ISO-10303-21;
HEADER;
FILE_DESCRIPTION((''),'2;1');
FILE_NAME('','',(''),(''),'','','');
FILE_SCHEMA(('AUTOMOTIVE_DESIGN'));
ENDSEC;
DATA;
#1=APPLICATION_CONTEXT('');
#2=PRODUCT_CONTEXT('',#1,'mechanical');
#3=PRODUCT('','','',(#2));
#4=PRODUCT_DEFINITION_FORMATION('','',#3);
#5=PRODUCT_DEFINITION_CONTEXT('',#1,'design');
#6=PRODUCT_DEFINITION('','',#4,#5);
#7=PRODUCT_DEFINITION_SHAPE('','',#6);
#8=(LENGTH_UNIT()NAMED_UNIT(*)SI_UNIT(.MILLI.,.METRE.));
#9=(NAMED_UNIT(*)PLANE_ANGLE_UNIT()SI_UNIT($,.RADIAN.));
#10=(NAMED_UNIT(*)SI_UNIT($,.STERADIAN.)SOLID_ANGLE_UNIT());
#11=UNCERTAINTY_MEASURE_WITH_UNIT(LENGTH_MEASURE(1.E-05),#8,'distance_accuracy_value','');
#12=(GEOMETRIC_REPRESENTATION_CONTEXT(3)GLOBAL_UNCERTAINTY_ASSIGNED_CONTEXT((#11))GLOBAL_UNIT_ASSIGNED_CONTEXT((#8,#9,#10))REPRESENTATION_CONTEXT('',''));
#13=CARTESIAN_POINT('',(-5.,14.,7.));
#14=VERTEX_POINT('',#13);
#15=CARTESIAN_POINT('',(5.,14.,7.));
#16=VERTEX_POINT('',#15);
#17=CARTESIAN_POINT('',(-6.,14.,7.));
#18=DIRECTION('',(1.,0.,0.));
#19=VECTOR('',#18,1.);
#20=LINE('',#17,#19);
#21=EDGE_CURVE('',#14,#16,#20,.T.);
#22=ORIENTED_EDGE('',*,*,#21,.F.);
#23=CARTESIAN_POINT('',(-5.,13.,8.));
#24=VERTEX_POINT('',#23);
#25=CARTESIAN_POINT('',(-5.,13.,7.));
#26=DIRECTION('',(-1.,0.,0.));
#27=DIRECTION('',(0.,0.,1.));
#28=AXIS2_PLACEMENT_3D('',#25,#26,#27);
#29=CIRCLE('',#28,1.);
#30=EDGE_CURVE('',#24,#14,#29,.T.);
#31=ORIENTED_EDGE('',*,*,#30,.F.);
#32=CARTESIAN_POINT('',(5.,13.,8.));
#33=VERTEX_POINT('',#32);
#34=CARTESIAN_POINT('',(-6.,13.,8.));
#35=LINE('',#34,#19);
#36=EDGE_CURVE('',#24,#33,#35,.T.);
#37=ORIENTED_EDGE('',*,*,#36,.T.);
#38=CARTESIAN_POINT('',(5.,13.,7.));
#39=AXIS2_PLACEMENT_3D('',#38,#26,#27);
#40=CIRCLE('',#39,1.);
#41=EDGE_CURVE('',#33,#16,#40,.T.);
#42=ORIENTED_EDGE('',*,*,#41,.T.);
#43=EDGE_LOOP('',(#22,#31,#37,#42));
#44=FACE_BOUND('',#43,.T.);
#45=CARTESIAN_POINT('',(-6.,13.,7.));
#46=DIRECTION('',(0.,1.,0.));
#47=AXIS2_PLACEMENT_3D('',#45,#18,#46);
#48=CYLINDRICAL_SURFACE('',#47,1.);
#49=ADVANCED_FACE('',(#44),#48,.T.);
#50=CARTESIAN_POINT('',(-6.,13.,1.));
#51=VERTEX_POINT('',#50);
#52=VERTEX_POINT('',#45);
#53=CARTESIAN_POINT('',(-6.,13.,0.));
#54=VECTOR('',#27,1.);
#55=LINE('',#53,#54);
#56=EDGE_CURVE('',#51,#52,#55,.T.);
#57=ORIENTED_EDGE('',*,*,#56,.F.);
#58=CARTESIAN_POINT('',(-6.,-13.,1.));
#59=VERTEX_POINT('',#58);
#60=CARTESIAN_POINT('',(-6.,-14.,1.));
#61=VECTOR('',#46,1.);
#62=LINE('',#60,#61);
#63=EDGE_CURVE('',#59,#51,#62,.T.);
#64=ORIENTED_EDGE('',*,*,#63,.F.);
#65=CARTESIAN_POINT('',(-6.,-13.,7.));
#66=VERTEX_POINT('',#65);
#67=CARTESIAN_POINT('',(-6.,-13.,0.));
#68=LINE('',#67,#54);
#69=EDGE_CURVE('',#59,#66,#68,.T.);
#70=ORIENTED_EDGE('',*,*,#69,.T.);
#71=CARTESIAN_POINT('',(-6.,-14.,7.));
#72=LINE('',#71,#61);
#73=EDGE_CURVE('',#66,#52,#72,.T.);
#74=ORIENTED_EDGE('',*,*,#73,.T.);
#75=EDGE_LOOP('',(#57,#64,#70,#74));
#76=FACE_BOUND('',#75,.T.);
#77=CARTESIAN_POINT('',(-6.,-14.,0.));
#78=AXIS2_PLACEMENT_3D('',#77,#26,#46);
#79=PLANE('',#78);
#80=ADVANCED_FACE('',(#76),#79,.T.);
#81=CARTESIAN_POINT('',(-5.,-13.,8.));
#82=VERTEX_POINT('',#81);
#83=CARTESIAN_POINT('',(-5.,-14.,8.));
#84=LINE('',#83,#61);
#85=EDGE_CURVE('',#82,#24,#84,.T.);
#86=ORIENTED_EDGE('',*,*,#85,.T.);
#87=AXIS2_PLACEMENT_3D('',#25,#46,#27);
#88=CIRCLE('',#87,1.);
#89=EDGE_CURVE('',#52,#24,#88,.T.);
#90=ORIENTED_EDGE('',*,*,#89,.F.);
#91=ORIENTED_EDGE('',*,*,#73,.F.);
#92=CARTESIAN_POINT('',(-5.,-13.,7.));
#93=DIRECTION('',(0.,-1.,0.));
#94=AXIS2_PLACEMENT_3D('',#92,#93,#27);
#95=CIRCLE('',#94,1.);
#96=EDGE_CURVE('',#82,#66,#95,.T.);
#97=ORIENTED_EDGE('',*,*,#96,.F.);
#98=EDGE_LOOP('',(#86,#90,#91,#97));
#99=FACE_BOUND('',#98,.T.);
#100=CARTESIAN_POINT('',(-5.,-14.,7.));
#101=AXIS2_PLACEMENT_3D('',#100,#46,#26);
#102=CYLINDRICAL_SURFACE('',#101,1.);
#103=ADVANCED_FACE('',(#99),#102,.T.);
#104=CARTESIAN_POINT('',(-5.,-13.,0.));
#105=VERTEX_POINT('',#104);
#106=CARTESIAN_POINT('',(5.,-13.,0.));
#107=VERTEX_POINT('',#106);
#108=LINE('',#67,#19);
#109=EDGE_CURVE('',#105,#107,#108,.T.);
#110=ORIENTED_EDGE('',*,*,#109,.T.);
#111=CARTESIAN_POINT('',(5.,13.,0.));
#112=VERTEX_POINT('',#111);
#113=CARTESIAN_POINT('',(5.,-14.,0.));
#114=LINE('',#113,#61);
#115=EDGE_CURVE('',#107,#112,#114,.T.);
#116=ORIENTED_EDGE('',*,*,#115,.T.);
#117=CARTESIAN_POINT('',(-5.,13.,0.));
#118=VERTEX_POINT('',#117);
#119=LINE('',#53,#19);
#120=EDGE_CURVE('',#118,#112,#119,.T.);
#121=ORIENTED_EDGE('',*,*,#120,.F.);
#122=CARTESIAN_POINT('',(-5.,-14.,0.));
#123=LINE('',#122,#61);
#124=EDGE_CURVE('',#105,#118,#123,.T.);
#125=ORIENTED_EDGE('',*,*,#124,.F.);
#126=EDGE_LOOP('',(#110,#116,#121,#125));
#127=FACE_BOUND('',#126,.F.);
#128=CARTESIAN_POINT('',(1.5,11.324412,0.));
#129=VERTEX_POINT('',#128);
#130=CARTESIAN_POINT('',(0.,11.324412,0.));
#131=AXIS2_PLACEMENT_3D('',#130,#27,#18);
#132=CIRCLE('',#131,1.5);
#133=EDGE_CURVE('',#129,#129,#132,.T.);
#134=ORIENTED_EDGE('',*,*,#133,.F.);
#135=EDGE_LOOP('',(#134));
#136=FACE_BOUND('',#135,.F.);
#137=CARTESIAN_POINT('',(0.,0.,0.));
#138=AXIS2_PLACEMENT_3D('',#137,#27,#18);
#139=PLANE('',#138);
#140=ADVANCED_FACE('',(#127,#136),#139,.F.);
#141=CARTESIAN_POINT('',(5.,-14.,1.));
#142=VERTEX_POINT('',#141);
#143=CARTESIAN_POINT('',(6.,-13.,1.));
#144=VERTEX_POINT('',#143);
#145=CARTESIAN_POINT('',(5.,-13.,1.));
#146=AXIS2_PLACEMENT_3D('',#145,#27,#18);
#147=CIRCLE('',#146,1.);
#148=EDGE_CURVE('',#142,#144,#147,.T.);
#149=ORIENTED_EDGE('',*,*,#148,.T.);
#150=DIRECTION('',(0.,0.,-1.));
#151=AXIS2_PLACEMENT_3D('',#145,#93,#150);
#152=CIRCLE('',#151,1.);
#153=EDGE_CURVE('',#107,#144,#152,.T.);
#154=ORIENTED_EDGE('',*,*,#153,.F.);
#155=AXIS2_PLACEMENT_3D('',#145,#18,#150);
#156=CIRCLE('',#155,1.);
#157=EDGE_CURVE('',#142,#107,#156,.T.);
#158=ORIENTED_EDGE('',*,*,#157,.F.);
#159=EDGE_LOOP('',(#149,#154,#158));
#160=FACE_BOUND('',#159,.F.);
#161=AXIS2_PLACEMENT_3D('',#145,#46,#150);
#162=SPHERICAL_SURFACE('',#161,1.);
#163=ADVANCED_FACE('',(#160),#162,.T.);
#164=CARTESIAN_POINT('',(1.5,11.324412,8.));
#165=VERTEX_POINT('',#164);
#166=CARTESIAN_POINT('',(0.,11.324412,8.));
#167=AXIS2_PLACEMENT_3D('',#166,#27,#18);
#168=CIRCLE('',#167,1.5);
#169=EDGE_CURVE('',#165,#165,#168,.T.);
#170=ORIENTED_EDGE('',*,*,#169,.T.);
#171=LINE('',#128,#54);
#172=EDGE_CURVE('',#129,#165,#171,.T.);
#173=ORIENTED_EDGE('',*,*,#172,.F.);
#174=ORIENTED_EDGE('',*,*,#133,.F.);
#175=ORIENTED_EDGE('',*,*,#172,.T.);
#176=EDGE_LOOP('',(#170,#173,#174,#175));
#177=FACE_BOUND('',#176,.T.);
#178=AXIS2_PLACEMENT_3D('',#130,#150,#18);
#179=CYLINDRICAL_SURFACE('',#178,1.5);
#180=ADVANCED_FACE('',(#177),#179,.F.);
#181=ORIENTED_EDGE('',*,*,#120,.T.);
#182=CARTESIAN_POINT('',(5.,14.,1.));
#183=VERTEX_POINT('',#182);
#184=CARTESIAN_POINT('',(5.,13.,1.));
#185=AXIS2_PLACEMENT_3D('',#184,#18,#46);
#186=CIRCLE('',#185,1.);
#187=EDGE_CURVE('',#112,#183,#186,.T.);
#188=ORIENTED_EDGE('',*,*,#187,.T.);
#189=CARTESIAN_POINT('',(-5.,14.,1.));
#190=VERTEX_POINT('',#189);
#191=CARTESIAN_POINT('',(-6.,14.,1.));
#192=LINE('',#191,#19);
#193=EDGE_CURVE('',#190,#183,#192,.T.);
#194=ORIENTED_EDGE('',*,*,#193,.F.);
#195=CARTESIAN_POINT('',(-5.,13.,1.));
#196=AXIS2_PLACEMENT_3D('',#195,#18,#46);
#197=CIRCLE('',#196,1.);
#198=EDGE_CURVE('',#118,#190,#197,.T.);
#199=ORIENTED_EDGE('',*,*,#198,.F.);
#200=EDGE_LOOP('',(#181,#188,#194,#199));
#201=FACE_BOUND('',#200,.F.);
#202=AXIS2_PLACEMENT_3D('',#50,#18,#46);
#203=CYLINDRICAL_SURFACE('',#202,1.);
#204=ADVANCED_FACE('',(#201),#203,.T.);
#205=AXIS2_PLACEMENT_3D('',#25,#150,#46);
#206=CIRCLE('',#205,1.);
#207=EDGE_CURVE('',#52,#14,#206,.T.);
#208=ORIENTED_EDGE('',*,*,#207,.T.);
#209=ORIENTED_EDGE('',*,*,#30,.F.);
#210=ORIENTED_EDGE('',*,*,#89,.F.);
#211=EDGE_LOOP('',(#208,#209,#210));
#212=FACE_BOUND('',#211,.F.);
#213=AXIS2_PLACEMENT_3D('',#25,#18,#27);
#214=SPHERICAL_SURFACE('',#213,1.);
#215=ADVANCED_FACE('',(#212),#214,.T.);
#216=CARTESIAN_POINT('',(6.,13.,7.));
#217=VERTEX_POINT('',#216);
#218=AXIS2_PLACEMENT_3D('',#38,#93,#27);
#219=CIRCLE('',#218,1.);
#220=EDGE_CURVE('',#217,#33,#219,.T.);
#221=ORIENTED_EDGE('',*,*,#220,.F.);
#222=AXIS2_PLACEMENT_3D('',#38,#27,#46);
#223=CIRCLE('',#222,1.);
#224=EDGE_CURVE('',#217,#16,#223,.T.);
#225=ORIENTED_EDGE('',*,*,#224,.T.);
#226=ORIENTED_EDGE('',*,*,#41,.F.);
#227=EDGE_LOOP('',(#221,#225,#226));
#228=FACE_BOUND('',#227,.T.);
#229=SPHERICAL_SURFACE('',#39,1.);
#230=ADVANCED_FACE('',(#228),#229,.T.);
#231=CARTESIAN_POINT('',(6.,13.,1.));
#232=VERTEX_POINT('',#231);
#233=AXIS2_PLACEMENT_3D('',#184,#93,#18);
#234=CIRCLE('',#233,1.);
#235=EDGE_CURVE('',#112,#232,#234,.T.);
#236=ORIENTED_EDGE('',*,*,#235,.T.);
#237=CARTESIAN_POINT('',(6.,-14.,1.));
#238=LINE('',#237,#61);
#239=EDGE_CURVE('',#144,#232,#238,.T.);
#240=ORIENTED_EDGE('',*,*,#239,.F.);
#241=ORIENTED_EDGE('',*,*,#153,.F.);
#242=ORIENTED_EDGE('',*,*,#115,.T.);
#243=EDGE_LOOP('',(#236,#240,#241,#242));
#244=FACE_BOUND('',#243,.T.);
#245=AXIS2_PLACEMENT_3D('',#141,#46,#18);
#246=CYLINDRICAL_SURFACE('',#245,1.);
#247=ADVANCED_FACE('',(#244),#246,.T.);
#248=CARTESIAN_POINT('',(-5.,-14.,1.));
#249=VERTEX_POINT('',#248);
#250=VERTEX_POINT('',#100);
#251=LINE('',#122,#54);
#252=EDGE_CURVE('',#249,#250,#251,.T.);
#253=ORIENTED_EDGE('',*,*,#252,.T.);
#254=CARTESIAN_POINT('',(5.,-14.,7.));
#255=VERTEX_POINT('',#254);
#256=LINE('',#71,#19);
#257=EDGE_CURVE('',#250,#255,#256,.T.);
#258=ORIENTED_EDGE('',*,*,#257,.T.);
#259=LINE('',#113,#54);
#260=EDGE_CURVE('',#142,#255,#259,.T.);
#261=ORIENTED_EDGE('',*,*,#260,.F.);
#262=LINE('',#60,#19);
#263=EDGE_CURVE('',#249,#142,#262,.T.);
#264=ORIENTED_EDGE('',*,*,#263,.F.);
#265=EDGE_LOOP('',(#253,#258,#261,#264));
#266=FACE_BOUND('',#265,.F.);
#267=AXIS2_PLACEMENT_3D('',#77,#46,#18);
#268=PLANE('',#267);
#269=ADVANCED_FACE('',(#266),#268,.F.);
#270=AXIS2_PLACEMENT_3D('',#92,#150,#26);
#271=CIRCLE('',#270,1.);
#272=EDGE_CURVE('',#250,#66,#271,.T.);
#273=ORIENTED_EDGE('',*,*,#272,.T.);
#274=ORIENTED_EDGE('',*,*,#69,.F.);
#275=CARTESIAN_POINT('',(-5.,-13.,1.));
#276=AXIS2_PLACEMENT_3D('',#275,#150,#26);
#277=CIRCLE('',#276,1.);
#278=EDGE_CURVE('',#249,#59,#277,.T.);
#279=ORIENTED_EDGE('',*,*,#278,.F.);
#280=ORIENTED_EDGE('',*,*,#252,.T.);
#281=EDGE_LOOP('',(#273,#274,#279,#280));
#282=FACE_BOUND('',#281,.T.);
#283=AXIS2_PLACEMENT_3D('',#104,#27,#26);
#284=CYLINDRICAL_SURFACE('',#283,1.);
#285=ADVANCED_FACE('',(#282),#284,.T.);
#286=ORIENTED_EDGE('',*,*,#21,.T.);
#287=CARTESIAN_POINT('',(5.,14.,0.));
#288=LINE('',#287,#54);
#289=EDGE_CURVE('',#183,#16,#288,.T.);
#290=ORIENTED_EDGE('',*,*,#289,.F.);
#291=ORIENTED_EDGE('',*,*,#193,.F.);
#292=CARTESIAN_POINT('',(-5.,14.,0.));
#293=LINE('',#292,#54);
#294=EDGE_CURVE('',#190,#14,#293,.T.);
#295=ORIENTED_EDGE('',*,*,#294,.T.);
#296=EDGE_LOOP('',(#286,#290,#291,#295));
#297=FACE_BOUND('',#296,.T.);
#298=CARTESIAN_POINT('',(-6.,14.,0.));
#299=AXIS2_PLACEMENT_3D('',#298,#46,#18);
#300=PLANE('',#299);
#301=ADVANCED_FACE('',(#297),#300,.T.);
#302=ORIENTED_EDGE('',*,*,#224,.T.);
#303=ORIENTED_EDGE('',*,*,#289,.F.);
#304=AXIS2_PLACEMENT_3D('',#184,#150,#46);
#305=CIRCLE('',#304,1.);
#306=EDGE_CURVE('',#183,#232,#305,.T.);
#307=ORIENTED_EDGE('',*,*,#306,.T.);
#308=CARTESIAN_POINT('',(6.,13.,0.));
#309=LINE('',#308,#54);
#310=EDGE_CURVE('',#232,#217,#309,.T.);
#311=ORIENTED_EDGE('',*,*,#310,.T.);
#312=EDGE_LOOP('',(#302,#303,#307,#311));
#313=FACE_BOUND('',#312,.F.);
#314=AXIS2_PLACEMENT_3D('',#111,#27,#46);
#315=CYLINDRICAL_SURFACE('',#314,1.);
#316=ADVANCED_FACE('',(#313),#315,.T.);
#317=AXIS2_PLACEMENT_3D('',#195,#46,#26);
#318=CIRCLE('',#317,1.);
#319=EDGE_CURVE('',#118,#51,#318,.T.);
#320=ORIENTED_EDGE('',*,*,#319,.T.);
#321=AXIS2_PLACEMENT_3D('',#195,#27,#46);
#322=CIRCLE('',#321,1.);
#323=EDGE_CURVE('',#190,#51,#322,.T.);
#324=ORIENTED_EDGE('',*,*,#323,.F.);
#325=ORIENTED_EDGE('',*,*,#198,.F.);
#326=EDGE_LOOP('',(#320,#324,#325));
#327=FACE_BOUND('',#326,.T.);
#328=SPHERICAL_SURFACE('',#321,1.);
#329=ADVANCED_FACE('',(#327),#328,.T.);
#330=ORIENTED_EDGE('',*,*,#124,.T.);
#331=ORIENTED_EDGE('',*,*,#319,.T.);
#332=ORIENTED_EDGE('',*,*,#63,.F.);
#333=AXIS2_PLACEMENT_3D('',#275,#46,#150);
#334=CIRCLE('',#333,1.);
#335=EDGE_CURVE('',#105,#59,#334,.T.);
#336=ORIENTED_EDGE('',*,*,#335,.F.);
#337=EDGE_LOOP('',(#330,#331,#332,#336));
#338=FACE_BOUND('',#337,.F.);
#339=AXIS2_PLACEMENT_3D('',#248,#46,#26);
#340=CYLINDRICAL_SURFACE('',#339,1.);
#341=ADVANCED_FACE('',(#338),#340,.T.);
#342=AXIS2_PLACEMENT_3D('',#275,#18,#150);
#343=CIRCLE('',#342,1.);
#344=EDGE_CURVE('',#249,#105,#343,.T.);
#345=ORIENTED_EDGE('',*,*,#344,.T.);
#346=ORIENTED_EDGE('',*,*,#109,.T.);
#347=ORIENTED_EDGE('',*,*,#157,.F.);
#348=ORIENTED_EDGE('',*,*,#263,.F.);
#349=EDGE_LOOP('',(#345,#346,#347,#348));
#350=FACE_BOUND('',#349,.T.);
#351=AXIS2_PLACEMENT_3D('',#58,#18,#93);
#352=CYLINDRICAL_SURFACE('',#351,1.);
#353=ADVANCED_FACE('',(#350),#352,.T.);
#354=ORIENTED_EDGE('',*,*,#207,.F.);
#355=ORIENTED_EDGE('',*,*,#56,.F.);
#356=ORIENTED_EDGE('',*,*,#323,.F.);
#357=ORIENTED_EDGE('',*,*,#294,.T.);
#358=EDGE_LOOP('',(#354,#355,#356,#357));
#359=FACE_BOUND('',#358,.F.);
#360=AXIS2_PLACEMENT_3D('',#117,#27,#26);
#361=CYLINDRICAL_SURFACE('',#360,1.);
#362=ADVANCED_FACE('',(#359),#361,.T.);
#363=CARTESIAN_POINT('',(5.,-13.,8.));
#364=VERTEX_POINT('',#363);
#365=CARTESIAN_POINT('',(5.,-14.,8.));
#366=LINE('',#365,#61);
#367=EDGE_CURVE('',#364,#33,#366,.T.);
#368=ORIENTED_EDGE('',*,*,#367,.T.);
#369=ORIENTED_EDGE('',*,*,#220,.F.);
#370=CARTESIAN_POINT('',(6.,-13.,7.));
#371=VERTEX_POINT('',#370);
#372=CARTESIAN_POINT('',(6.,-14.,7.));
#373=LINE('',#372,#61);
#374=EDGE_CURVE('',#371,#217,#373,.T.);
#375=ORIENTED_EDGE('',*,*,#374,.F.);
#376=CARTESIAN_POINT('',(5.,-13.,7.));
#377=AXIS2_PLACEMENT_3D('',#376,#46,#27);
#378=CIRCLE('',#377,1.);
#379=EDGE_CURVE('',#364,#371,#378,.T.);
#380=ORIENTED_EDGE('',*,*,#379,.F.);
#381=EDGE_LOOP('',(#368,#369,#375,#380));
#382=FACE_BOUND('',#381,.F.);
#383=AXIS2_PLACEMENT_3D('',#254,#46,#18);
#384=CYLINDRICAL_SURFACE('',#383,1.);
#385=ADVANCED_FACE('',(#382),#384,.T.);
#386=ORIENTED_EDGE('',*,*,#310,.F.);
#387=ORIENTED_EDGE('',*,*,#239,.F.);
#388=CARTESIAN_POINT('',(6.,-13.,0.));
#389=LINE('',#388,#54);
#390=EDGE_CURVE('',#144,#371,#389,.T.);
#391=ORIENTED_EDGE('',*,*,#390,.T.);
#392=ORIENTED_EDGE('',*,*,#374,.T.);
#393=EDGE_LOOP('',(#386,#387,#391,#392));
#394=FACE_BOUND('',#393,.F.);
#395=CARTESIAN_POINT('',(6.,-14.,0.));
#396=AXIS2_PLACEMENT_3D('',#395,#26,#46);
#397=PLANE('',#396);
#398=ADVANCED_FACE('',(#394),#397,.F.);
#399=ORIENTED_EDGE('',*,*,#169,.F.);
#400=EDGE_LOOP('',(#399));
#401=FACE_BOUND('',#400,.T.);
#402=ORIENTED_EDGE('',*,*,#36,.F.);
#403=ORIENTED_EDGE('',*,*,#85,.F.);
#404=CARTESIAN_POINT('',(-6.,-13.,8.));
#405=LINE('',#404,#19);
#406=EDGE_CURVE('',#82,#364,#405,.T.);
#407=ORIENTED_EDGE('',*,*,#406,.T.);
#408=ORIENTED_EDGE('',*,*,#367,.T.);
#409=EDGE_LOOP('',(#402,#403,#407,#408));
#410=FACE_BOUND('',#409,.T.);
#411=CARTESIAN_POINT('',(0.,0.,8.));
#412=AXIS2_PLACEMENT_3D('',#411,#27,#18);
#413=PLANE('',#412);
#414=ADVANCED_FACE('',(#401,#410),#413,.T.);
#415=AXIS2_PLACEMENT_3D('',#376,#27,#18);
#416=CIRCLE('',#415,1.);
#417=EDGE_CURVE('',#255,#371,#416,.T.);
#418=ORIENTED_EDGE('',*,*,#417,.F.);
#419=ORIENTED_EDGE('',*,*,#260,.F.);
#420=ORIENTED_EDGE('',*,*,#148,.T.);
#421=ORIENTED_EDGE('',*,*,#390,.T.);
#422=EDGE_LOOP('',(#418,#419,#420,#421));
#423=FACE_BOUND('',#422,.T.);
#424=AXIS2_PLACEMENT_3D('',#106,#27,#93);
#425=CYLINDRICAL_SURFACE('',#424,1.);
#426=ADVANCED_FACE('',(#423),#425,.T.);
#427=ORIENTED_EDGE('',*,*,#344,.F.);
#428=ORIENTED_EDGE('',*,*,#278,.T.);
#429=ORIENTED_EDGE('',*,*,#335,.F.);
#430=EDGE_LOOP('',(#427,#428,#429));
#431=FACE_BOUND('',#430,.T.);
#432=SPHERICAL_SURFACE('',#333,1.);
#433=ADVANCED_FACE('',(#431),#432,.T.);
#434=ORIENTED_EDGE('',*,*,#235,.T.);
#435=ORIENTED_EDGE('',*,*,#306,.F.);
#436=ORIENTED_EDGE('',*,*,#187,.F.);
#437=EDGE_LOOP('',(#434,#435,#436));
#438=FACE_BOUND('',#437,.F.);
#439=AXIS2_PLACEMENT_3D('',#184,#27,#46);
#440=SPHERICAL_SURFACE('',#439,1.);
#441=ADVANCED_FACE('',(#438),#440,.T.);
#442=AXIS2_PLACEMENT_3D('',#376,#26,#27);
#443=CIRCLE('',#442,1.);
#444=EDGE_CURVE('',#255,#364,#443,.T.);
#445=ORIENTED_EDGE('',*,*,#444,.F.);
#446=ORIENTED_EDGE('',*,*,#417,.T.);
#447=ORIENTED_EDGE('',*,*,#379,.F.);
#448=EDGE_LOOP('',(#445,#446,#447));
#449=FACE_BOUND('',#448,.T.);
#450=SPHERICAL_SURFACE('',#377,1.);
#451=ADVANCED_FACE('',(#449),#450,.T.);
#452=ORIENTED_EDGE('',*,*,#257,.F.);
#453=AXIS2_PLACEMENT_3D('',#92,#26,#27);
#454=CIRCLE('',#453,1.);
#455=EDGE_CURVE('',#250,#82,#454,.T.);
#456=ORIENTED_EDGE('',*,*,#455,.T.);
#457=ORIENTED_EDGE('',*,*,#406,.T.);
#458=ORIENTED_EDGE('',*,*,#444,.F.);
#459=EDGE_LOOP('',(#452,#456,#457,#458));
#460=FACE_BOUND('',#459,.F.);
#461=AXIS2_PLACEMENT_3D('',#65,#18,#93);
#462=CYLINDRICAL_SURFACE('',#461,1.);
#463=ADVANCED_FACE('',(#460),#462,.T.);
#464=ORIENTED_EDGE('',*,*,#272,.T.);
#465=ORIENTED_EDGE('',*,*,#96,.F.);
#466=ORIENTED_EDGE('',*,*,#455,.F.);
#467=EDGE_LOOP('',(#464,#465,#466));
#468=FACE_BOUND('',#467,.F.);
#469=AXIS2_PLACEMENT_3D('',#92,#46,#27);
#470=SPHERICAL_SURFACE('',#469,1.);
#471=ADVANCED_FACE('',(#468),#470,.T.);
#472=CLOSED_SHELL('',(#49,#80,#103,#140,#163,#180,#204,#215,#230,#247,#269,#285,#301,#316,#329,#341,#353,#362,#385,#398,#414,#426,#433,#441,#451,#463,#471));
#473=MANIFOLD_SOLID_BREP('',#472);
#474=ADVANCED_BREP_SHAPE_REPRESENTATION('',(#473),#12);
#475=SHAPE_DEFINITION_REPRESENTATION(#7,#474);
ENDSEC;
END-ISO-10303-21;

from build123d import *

# Parameters (mm, degrees)
F0_W     = 12
F0_H     = 28
F0_R     = 1.5
F1_DEPTH = 8
F2_R     = 1


with BuildPart() as f1:
    # F0 (on Top) → F1 (new body)
    with BuildSketch(Plane.XY):
        Rectangle(F0_W, F0_H)
        with Locations((0, 11.324412)):
            Circle(F0_R, mode=Mode.SUBTRACT)
    extrude(amount=F1_DEPTH)

    # F2
    f2_edges = [f1.edges().sort_by_distance(p)[0] for p in [
        (0, 14, 8),
        (6, 0, 8),
        (-6, 0, 8),
        (0, -14, 8),
        (6, 14, 4),
        (-6, 14, 4),
        (0, 14, 0),
        (6, 0, 0),
        (-6, 0, 0),
        (0, -14, 0),
        (6, -14, 4),
        (-6, -14, 4),
    ]]
    fillet(f2_edges, radius=F2_R)


solid = f1.part
